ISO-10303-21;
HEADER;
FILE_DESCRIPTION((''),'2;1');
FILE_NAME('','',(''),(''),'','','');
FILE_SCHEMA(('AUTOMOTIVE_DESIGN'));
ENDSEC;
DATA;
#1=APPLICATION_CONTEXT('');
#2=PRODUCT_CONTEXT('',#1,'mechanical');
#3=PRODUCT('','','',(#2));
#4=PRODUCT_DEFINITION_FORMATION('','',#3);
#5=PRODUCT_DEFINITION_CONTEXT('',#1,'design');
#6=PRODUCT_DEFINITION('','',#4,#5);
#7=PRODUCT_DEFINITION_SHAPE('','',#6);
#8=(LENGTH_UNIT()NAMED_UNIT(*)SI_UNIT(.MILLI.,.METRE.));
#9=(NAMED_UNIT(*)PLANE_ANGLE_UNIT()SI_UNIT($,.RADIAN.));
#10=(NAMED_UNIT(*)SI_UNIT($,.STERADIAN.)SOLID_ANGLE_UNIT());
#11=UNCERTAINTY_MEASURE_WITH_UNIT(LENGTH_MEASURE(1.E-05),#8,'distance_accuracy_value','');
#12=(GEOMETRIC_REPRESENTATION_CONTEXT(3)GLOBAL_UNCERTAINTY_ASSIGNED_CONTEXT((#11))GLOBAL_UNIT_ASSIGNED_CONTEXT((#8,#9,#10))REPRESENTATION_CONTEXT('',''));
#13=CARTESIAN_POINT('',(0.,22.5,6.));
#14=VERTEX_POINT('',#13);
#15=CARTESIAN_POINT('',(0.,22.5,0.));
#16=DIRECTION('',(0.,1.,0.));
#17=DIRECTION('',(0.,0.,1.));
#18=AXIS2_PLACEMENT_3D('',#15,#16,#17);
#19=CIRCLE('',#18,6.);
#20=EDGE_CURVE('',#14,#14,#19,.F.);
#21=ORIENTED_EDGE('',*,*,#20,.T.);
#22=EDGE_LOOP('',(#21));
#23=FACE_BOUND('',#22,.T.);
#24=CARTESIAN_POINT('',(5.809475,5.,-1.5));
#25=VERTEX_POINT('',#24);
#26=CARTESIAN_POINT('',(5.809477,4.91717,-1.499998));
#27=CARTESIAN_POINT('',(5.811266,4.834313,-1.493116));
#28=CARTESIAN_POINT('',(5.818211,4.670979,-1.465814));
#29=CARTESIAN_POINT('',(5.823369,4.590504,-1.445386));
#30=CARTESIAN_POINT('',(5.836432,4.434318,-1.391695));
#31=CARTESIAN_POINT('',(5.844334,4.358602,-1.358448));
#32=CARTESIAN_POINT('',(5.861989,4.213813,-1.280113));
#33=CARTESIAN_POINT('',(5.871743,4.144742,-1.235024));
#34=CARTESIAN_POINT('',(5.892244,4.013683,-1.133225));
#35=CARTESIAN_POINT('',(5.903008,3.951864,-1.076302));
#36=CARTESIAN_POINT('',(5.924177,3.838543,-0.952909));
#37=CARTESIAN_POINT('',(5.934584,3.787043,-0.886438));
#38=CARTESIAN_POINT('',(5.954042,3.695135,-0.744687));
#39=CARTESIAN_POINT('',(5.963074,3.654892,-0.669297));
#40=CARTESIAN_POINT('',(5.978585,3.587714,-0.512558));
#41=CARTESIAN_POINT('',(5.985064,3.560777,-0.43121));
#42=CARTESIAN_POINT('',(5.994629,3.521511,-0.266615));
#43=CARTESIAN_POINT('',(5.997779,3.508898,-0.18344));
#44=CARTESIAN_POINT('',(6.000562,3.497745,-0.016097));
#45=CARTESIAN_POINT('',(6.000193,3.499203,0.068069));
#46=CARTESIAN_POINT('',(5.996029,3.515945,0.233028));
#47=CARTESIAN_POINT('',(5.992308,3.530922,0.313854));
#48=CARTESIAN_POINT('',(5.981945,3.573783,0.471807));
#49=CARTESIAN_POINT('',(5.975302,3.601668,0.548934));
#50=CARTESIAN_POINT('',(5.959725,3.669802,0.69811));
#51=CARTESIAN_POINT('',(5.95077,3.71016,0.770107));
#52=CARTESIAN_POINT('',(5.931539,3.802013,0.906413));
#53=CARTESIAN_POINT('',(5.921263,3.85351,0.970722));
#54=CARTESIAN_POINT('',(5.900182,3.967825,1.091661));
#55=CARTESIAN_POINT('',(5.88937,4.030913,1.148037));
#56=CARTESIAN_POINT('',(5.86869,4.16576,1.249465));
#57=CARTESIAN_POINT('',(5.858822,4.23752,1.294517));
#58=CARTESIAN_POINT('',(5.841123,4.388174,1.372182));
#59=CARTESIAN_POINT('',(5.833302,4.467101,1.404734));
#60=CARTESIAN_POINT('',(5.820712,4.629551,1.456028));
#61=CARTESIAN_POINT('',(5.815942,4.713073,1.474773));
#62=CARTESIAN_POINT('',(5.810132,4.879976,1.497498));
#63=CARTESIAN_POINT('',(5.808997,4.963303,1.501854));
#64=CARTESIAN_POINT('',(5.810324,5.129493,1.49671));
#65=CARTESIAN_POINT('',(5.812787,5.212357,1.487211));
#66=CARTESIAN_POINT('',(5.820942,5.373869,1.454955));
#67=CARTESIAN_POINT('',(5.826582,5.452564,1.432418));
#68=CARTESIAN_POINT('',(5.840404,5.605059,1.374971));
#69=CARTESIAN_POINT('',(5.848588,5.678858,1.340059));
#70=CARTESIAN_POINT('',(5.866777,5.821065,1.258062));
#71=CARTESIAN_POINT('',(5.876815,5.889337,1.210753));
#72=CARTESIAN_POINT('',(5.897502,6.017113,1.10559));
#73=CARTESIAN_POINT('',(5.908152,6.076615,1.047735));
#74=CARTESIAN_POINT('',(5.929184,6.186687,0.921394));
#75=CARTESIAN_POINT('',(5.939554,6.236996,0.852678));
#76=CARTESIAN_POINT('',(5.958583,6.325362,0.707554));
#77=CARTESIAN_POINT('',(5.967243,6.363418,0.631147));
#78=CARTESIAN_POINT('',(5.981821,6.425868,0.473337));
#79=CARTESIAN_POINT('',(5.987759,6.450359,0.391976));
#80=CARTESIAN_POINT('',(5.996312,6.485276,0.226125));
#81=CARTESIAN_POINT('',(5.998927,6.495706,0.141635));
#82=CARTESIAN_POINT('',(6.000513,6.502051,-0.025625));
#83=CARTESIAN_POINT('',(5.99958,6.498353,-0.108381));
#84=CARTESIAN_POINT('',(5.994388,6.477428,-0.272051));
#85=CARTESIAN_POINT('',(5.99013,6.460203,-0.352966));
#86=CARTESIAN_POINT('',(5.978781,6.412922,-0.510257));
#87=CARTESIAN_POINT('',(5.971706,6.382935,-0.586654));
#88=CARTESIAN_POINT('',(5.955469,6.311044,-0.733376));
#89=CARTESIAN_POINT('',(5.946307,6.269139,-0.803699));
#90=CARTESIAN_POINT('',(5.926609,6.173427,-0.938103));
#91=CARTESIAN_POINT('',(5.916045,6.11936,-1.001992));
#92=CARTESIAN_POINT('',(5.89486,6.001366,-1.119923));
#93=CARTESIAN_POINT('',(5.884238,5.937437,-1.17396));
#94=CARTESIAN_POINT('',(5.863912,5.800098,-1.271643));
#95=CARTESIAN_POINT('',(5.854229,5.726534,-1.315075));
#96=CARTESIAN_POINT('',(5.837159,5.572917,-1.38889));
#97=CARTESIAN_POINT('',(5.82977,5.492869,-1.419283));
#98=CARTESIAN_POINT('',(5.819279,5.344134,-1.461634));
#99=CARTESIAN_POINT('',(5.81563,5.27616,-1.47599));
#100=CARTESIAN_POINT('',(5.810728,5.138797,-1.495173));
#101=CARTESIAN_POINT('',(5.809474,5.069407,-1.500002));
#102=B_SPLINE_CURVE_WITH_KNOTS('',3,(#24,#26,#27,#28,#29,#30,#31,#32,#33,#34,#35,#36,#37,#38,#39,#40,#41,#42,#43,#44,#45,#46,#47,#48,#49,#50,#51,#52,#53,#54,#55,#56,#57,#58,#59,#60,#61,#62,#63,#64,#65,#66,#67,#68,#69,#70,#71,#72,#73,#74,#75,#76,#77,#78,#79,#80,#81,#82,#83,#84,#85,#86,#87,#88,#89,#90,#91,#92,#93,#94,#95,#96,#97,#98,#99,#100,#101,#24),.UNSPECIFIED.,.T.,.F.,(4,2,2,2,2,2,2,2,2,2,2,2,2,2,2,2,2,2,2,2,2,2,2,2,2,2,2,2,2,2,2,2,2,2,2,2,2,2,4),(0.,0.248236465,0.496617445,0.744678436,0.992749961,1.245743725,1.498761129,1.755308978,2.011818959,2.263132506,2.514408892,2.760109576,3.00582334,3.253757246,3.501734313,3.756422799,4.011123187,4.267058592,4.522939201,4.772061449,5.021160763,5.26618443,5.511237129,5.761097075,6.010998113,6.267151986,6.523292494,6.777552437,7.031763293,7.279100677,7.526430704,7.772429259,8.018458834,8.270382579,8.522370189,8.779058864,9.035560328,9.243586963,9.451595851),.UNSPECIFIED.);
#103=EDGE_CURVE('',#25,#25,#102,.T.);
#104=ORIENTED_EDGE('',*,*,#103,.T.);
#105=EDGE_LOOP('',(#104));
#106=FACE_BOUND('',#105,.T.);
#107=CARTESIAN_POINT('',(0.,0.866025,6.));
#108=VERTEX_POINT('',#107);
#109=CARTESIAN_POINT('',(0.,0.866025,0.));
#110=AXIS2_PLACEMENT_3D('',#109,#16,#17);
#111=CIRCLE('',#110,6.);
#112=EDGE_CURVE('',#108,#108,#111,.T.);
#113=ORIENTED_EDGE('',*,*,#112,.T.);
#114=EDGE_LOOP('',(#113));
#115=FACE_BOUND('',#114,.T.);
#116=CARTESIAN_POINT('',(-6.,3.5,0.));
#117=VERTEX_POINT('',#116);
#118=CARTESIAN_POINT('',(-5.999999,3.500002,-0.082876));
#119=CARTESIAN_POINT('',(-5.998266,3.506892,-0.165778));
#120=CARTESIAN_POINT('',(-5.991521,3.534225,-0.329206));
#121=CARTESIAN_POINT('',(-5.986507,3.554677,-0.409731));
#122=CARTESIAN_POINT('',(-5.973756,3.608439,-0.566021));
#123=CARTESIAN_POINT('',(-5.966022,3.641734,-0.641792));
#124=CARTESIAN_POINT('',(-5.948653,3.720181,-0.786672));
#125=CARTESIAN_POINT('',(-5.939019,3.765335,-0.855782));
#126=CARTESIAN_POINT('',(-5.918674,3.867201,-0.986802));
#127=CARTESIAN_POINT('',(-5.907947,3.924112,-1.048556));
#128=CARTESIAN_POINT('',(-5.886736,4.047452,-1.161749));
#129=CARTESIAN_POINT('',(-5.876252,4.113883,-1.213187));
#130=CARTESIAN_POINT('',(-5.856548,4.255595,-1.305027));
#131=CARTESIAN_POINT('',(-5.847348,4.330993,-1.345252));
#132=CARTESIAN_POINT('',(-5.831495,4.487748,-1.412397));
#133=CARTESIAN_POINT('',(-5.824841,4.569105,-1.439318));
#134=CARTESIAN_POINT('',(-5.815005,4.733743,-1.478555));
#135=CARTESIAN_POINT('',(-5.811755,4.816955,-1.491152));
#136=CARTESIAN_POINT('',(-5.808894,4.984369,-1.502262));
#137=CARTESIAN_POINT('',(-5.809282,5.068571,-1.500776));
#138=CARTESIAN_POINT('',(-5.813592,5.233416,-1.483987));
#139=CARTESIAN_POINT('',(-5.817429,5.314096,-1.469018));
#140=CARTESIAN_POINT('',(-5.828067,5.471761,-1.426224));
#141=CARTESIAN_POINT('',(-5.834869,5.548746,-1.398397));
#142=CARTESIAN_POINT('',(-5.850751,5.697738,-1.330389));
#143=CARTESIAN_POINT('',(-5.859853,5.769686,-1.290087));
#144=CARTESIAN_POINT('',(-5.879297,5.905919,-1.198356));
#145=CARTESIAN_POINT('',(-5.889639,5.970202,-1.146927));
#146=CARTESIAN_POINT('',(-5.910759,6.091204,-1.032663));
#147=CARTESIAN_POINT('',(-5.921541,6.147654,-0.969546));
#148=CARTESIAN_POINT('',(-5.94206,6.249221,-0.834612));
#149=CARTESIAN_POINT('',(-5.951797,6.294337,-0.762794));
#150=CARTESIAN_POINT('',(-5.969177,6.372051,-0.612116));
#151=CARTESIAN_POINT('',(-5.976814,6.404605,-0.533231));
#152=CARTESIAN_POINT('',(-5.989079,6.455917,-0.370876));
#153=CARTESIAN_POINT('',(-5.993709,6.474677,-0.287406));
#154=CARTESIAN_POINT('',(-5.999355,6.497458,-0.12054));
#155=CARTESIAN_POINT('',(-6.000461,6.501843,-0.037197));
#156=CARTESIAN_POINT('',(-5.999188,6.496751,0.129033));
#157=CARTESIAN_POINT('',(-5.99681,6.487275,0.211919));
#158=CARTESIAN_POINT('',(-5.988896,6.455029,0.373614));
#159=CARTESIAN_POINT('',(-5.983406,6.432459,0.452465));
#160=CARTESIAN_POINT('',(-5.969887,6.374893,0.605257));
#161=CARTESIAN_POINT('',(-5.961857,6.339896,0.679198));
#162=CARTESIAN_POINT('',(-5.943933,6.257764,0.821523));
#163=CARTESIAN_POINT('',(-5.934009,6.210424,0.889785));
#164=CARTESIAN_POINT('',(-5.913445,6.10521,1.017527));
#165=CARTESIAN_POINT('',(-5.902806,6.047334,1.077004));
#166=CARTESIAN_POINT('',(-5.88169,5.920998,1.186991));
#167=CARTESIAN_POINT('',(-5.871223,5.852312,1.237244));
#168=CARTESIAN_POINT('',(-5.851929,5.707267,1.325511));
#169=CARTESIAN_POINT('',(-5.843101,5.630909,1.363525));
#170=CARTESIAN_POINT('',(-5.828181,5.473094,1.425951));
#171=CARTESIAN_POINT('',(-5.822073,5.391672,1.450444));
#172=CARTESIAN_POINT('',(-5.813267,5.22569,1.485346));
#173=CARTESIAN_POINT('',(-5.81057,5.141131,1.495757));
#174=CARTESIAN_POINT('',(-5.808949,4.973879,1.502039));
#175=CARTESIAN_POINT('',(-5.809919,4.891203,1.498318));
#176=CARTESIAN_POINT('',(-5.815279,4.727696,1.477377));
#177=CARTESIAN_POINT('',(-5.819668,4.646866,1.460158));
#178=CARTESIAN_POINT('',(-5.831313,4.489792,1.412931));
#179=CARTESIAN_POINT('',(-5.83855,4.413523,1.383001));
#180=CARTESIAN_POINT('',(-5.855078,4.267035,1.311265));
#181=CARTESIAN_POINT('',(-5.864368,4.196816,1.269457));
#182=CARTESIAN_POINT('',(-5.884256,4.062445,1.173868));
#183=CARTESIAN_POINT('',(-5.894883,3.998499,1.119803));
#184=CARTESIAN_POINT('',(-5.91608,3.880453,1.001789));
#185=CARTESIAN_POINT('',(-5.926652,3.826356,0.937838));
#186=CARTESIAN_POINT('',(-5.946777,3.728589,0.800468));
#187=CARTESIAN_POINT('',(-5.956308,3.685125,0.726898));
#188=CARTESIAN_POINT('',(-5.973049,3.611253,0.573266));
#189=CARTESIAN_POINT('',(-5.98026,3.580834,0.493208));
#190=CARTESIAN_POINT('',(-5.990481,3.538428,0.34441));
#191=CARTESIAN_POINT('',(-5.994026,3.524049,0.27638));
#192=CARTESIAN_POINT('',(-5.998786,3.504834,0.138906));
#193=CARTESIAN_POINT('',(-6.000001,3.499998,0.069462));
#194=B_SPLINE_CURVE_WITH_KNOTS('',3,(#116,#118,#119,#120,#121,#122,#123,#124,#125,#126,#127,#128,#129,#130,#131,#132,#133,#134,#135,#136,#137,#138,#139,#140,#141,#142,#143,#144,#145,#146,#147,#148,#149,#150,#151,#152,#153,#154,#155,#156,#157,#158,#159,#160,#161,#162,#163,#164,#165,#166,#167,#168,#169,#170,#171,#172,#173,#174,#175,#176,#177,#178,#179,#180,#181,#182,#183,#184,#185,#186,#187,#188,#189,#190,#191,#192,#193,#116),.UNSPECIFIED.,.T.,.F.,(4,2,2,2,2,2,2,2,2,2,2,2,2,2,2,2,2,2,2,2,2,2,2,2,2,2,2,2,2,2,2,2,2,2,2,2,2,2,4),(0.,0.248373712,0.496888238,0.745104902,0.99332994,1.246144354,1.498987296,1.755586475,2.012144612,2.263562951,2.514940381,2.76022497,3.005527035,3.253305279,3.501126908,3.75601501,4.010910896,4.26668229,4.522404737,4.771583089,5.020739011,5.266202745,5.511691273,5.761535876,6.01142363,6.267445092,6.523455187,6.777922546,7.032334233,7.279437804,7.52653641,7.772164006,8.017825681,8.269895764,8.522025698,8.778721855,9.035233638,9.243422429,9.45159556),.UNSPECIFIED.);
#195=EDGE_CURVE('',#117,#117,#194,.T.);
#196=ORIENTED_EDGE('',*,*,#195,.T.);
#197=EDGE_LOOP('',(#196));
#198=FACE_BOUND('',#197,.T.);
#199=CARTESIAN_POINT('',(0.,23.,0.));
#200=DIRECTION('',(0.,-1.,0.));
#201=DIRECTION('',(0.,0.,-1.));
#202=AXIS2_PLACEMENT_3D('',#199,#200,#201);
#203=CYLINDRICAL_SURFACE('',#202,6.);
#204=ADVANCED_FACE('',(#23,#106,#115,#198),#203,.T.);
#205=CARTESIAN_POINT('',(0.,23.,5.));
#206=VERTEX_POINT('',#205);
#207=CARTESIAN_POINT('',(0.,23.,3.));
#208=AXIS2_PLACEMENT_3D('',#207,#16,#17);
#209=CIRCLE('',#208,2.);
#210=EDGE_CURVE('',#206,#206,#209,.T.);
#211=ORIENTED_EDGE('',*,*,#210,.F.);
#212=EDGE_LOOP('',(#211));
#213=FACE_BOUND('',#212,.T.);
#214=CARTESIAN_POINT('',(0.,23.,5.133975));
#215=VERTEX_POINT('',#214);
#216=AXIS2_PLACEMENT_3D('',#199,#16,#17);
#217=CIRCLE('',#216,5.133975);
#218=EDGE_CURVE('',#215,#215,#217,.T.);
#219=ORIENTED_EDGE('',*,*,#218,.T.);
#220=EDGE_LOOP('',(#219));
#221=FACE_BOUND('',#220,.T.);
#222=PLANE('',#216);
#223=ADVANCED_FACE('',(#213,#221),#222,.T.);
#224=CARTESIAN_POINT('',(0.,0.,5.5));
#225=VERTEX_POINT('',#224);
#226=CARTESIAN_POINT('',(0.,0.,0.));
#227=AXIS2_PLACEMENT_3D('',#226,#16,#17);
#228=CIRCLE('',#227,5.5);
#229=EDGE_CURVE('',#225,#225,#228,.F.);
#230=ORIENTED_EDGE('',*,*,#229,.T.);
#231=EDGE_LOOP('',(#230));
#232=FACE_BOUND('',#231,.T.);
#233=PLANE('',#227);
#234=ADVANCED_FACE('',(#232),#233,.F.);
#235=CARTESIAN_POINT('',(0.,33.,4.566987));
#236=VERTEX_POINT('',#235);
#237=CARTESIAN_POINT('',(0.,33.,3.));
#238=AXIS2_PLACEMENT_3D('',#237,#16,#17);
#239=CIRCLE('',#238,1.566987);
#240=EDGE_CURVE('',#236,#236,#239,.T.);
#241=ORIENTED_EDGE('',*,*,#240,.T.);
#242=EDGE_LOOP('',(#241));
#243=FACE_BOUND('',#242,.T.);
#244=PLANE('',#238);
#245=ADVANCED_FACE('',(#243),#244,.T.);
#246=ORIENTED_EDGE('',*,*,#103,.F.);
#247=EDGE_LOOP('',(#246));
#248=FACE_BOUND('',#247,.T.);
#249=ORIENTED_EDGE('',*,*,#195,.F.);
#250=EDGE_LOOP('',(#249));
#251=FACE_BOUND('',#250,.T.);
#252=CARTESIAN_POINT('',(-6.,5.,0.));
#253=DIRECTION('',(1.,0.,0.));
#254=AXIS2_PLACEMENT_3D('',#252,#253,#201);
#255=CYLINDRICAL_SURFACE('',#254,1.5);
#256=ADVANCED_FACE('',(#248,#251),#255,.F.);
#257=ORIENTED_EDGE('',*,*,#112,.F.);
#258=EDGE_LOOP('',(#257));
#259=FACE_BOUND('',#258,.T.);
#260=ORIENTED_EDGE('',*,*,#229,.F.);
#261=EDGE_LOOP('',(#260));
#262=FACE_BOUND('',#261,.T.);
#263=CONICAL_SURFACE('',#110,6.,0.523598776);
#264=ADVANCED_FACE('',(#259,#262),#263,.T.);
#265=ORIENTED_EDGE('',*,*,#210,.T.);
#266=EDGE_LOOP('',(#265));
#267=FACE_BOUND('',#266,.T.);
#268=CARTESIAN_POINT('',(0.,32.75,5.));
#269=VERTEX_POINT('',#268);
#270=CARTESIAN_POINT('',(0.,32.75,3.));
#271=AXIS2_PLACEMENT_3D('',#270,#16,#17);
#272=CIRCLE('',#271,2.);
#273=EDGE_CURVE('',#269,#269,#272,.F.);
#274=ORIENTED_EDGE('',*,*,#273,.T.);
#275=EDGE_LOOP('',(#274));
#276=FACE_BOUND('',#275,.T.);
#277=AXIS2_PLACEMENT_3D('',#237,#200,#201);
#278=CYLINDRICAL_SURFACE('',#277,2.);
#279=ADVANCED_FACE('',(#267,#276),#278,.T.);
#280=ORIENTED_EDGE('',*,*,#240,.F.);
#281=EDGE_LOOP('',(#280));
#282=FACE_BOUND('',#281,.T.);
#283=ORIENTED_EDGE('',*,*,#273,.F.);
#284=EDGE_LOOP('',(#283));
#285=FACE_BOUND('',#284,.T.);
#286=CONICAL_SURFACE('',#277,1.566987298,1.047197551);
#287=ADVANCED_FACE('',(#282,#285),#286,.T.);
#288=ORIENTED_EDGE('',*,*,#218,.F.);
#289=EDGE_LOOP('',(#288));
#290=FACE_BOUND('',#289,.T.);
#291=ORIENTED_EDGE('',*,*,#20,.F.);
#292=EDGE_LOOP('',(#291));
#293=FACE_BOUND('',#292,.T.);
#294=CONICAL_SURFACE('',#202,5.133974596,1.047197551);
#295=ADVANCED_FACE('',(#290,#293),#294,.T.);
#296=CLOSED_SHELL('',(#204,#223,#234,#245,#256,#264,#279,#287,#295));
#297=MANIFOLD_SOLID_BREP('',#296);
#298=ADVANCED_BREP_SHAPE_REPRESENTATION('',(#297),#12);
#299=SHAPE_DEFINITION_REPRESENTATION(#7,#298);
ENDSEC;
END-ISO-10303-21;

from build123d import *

# Parameters (mm, degrees)
SKETCH1_R               = 6
BOSS_EXTRUDE1_DEPTH     = 23
SKETCH2_R               = 2
BOSS_EXTRUDE2_DEPTH     = 10
SKETCH3_R               = 1.5
CUT_EXTRUDE1_DEPTH      = 7
CUT_EXTRUDE1_DEPTH_BACK = 7
CHAMFER1_SIZE           = 0.25
CHAMFER1_SIZE2          = 0.433012702
CHAMFER2_SIZE           = 0.5
CHAMFER2_SIZE2          = 0.866025404
CHAMFER2_PART_2_SIZE    = 0.5
CHAMFER2_PART_2_SIZE2   = 0.866025404


with BuildPart() as part:
    # Sketch1 → Boss-Extrude1 (new body)
    with BuildSketch(Plane(origin=(0, 0, 0), x_dir=(1, 0, 0), z_dir=(0, 1, 0))):
        Circle(SKETCH1_R)
    extrude(amount=BOSS_EXTRUDE1_DEPTH)

    # Sketch2 → Boss-Extrude2 (add)
    with BuildSketch(Plane(origin=(0, 23, 0), x_dir=(1, 0, 0), z_dir=(0, 1, 0))):
        with Locations((0, -3)):
            Circle(SKETCH2_R)
    extrude(amount=BOSS_EXTRUDE2_DEPTH)

    # Sketch3 → Cut-Extrude1 (cut, two sides)
    with BuildSketch(Plane(origin=(0, 0, 0), x_dir=(0, 0, -1), z_dir=(1, 0, 0))) as cut_extrude1_sk:
        with Locations((0, 5)):
            Circle(SKETCH3_R)
    extrude(amount=CUT_EXTRUDE1_DEPTH, mode=Mode.SUBTRACT)
    extrude(cut_extrude1_sk.sketch, amount=-CUT_EXTRUDE1_DEPTH_BACK, mode=Mode.SUBTRACT)

    # Chamfer1
    chamfer1_edges = [part.edges().sort_by_distance(p)[0] for p in [
        (-2, 33, 3),
    ]]
    chamfer1_side = [part.faces().sort_by_distance(p)[0] for p in [
        (-2, 28, 3),
    ]]
    chamfer(chamfer1_edges, length=CHAMFER1_SIZE, length2=CHAMFER1_SIZE2, reference=chamfer1_side[0])

    # Chamfer2
    chamfer2_edges = [part.edges().sort_by_distance(p)[0] for p in [
        (-6, 0, 0),
    ]]
    chamfer2_side = [part.faces().sort_by_distance(p)[0] for p in [
        (0, 0, 0),
    ]]
    chamfer(chamfer2_edges, length=CHAMFER2_SIZE, length2=CHAMFER2_SIZE2, reference=chamfer2_side[0])

    # Chamfer2 part 2
    chamfer2_part_2_edges = [part.edges().sort_by_distance(p)[0] for p in [
        (-6, 23, 0),
    ]]
    chamfer2_part_2_side = [part.faces().sort_by_distance(p)[0] for p in [
        (-6, 11.5, 0),
    ]]
    chamfer(chamfer2_part_2_edges, length=CHAMFER2_PART_2_SIZE, length2=CHAMFER2_PART_2_SIZE2, reference=chamfer2_part_2_side[0])


solid = part.part
